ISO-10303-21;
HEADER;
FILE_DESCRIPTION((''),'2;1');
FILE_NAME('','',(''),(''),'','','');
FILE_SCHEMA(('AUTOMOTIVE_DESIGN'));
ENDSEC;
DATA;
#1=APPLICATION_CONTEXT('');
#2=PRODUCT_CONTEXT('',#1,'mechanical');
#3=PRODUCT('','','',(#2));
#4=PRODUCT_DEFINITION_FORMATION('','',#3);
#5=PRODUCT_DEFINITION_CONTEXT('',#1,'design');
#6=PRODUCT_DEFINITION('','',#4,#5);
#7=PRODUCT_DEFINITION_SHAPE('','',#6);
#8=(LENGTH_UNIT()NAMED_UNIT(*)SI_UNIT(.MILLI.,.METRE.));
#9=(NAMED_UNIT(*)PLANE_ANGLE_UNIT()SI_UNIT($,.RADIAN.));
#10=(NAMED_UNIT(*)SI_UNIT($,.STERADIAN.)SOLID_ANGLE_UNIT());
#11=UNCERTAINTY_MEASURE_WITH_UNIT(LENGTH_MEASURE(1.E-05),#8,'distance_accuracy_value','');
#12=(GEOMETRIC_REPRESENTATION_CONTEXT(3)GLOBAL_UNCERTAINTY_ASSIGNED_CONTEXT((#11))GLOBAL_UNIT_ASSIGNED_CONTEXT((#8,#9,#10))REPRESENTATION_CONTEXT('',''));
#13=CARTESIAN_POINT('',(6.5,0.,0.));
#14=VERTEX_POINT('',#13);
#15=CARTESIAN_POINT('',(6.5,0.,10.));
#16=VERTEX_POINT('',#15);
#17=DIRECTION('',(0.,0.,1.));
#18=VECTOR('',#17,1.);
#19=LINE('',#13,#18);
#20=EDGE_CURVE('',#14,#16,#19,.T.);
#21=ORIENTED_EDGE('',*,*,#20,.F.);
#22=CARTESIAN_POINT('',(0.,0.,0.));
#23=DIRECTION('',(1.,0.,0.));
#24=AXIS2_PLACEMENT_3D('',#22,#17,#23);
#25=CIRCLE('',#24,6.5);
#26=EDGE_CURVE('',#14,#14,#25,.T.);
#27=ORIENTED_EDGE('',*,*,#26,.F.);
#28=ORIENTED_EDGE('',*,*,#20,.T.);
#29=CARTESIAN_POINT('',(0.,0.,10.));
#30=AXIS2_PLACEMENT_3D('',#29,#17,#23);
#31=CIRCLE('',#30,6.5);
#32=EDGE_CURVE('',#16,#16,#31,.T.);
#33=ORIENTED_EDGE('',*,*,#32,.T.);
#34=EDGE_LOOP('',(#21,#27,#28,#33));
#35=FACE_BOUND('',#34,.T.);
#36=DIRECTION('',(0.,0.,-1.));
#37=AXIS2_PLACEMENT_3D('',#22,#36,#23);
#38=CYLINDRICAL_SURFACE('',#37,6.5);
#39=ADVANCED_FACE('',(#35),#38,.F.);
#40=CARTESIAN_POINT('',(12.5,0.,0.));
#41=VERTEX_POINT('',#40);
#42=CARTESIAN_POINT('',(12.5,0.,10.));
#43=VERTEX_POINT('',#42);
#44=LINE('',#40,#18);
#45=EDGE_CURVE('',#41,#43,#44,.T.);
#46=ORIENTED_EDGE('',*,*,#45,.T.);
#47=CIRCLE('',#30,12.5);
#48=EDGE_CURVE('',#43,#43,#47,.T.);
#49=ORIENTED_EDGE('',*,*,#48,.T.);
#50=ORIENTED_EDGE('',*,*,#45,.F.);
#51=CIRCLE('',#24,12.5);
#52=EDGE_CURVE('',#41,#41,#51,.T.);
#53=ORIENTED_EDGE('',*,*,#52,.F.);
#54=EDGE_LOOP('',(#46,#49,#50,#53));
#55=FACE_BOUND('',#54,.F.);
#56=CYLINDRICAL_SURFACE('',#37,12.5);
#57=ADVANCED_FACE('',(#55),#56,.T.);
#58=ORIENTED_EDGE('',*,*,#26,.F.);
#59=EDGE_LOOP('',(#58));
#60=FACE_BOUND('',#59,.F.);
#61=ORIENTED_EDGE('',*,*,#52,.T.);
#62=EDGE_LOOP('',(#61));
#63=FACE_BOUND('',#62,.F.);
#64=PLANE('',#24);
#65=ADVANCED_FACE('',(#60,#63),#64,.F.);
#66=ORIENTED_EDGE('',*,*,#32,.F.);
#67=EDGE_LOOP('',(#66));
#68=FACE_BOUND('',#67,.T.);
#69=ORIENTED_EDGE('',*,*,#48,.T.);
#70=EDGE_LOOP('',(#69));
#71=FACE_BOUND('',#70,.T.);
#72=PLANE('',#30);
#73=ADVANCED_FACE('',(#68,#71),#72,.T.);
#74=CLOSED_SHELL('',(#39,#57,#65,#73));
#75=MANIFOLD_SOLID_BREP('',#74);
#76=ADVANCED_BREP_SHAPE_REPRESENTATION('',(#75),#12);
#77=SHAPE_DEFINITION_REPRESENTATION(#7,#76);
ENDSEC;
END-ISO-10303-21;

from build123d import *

# Parameters (mm, degrees)
SKETCH_R   = 12.5
SKETCH_R_2 = 6.5
PAD_DEPTH  = 10


with BuildPart() as part:
    # Sketch → Pad (new body)
    with BuildSketch(Plane.XY):
        Circle(SKETCH_R)
        Circle(SKETCH_R_2, mode=Mode.SUBTRACT)
    extrude(amount=PAD_DEPTH)


solid = part.part
